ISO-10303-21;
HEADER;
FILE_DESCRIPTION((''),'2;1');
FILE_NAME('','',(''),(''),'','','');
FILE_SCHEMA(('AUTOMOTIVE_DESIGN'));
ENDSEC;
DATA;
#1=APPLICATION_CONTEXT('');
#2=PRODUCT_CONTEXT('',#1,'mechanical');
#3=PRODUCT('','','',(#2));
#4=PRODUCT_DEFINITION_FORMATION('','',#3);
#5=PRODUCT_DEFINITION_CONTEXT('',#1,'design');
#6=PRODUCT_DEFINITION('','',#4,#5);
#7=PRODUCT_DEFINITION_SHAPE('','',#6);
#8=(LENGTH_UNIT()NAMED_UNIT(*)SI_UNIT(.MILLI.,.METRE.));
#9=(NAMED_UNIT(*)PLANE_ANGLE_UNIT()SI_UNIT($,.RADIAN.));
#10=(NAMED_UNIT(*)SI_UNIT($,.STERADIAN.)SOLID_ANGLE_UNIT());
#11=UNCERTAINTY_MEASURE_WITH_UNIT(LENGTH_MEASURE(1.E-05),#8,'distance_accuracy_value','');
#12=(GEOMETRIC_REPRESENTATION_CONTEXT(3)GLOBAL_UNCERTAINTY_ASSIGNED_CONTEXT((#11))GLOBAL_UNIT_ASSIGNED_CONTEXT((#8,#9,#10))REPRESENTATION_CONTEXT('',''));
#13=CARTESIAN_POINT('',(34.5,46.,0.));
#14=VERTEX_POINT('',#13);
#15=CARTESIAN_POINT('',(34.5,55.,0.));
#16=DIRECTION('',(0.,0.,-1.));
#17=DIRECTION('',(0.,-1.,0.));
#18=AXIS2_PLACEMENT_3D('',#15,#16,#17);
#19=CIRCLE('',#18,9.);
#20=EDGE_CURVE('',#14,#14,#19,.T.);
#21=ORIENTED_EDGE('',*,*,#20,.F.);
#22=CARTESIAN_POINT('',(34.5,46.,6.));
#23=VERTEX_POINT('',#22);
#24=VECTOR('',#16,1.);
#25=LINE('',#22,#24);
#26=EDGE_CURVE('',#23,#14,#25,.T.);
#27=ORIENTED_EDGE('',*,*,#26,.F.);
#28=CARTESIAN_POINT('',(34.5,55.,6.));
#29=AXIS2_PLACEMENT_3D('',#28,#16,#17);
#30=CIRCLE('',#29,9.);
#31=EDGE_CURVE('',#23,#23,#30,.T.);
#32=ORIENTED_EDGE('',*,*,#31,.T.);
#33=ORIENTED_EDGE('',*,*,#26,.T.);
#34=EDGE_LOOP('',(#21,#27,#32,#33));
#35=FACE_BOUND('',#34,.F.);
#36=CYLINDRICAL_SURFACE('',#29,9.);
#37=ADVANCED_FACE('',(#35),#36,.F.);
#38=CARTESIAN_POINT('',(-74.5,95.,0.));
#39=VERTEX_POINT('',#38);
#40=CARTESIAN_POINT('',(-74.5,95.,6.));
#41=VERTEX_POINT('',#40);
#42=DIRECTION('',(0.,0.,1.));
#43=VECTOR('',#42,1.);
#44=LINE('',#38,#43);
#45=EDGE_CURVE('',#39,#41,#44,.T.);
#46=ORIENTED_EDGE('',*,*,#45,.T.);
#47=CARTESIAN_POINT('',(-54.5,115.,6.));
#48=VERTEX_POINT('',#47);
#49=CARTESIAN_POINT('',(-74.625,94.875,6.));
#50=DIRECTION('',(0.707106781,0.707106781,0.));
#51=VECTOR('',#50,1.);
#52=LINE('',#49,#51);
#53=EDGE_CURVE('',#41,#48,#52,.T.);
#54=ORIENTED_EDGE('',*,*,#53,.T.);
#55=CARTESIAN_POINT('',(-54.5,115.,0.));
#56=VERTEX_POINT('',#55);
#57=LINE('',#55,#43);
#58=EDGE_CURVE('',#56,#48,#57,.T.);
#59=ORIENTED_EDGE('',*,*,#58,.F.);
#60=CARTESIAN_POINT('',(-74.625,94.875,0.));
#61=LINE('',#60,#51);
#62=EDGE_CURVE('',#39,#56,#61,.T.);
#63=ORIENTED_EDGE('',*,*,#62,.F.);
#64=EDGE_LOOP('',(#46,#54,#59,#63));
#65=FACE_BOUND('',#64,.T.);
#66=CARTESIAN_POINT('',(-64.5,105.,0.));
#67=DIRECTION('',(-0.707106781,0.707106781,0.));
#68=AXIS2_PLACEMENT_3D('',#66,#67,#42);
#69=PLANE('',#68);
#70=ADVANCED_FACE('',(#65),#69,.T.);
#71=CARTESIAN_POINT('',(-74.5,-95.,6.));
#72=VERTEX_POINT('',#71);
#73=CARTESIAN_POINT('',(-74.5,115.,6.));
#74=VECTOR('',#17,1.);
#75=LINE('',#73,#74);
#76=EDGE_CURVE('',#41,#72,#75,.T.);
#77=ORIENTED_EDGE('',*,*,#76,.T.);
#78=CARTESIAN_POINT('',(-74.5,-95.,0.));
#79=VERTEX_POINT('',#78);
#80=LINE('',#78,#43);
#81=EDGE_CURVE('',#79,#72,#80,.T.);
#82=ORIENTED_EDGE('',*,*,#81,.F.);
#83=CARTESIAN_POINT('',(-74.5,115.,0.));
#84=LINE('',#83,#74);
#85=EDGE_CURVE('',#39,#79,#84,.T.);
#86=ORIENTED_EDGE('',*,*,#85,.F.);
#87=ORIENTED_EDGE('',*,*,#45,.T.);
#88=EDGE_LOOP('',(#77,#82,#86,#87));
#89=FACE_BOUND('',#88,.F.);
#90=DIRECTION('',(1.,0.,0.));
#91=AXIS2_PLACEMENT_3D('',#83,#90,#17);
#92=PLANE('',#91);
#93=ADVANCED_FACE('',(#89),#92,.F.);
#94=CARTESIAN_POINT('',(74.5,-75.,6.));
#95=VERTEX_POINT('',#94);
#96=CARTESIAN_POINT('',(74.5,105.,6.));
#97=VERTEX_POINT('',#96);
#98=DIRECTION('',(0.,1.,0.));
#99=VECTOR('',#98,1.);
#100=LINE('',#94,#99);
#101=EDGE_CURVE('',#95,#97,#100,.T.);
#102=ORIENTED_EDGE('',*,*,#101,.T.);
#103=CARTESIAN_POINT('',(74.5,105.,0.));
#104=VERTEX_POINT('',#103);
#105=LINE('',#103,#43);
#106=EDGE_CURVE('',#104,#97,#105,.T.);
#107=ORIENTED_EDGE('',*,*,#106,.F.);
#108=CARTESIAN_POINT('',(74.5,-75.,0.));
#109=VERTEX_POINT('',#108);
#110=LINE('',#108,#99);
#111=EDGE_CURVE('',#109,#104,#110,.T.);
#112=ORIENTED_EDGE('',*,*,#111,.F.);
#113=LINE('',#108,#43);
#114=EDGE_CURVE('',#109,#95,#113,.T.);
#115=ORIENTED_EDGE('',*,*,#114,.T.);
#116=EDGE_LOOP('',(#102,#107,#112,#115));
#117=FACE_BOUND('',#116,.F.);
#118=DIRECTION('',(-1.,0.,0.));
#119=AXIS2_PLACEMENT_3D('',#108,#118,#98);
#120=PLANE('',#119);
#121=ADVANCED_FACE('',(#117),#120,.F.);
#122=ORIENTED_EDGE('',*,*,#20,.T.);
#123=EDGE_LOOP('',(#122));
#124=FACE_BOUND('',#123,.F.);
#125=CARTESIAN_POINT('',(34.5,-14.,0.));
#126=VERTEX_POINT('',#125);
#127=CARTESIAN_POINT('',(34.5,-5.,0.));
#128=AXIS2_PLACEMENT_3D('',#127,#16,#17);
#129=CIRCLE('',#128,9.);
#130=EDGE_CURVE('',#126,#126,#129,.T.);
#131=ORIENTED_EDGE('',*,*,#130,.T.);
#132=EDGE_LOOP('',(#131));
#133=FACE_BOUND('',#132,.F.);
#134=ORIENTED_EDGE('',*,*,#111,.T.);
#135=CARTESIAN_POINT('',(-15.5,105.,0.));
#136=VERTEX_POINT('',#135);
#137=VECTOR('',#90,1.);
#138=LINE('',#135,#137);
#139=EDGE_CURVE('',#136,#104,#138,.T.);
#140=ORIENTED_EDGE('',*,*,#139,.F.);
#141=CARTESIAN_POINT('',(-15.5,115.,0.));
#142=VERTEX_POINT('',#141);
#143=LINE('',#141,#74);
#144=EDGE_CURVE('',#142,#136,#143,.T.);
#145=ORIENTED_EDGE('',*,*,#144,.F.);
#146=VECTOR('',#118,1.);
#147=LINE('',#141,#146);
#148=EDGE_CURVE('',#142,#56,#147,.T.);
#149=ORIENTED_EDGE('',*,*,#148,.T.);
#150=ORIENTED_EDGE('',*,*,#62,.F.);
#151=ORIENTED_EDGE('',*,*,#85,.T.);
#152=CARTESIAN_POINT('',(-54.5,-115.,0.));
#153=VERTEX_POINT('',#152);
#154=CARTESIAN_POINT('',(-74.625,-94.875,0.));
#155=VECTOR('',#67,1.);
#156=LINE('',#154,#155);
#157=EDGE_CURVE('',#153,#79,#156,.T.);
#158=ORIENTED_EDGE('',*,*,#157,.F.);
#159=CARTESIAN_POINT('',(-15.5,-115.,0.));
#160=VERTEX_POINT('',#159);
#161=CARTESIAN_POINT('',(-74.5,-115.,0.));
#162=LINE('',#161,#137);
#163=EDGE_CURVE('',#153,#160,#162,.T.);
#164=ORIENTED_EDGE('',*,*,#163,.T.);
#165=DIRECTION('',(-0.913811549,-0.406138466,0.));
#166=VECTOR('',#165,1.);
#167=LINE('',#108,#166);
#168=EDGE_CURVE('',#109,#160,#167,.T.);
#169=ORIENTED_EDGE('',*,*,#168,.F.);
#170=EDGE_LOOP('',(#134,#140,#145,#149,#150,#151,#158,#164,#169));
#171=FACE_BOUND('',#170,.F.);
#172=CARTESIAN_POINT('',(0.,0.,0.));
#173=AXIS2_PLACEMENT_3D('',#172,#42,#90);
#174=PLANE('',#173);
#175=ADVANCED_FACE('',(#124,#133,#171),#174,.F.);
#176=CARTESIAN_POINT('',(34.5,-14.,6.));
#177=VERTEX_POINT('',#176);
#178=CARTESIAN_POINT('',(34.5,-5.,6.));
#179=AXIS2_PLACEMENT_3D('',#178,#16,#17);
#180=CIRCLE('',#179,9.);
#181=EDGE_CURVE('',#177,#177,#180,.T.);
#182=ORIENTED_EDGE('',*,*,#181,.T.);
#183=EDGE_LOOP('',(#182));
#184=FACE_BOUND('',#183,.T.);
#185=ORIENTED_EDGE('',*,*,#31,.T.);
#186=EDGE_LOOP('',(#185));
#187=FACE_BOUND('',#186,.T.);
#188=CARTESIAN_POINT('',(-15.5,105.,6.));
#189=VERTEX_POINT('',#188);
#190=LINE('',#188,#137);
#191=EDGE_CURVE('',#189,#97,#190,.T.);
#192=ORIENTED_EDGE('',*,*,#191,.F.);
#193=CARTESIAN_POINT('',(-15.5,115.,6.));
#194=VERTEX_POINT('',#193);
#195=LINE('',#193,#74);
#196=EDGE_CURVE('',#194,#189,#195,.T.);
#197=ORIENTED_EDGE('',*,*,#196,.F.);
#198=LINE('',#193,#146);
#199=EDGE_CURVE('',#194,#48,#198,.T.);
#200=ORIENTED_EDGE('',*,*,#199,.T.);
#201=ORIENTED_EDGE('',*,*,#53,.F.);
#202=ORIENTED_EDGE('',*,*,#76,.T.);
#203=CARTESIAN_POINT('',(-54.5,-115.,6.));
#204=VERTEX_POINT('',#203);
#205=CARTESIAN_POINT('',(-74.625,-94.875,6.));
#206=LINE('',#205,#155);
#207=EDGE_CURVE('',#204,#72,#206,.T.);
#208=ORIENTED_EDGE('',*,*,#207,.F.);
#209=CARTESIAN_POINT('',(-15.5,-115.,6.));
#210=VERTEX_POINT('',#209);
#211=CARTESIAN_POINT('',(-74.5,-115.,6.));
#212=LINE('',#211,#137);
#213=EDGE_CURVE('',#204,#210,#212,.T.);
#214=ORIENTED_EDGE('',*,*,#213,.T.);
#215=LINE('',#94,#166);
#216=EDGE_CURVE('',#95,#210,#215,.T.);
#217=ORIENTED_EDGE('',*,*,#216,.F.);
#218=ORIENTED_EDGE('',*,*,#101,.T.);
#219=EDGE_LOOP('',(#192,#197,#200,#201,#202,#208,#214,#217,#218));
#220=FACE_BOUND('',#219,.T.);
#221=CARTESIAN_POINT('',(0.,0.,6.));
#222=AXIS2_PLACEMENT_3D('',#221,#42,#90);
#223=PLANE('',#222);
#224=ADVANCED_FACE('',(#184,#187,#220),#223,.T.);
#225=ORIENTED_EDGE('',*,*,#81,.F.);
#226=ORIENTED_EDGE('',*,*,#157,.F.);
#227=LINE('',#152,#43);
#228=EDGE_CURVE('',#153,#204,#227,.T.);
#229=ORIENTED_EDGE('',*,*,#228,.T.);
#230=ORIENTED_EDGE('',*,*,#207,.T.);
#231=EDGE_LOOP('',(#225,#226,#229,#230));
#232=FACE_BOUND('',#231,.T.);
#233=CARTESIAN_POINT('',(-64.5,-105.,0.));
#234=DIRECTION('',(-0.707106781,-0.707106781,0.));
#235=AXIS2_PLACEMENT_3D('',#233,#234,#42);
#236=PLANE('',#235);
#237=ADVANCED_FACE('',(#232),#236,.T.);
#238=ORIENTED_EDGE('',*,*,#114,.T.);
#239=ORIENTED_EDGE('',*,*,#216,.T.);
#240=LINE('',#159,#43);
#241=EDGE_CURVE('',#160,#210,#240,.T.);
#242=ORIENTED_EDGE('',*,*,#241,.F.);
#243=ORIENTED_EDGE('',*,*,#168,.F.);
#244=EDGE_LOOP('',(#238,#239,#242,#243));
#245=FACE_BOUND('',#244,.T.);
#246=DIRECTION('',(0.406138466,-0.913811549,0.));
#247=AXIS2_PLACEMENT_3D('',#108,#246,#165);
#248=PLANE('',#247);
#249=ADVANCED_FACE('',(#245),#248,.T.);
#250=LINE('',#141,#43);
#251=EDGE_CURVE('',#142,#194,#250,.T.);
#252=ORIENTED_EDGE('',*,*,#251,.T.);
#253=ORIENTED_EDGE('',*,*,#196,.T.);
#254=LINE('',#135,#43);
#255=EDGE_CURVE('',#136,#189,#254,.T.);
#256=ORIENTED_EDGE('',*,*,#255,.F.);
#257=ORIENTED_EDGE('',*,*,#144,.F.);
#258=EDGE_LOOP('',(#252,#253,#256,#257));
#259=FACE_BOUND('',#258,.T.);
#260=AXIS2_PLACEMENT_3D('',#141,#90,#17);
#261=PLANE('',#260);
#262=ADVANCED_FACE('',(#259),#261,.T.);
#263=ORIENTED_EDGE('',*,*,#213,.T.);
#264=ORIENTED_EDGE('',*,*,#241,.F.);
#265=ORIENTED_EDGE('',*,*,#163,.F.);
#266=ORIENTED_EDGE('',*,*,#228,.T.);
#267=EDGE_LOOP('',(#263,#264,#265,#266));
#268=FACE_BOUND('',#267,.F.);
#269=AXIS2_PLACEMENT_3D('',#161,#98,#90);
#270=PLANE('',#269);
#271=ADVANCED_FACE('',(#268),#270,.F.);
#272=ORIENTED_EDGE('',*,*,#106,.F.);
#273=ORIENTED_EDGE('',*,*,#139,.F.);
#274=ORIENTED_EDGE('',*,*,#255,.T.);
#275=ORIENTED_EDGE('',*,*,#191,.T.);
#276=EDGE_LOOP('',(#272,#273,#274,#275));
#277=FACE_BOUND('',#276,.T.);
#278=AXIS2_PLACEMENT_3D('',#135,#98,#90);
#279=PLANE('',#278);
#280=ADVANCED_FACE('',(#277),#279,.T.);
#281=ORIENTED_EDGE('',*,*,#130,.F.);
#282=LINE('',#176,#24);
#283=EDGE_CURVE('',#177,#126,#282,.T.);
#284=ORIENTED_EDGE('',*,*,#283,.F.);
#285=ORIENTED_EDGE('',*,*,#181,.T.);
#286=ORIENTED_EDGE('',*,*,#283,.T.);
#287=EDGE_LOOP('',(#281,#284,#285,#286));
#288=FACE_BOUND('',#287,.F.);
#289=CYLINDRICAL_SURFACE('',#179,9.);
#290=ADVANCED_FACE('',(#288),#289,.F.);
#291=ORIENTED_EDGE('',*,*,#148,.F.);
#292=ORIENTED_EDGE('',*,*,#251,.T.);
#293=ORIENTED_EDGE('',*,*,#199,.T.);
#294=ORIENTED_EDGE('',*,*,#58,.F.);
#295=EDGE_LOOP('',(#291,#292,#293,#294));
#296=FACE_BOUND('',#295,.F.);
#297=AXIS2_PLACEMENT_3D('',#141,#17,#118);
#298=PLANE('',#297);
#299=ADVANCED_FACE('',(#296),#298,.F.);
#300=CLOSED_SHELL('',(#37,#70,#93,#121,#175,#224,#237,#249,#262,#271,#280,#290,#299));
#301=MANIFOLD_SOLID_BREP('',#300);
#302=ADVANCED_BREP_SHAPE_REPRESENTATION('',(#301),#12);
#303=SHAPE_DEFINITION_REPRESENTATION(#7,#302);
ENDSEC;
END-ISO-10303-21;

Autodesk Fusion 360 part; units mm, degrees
sketch "スケッチ1" plane through (0, 0, 0) normal (0, 0, 1) x (1, 0, 0)
  line L0 (-15.5, 115) -> (-74.5, 115)
  line L1 (-74.5, 115) -> (-74.5, -115)
  line L2 (-74.5, -115) -> (-15.5, -115)
  line L3 (74.5, -75) -> (74.5, 105)
  line L4 (68.0217, 105) -> (-74.5, -115) construction
  line L5 (-74.5, 115) -> (54.38, -83.9422) construction
  line L6 (-15.5, 115) -> (-15.5, 105)
  line L7 (-15.5, 105) -> (74.5, 105)
  line L8 (-74.5, -115) -> (-15.5, -115) construction
  line L9 (74.5, -75) -> (-15.5, -115)
  dimension "d2" = 230
  dimension "d5" = 59
extrude "押し出し1" add sketch "スケッチ1" along normal blind 6
chamfer "面取り1" distance 20 angle 45 2 edges at (-74.5, -115, 3) (-74.5, 115, 3)
sketch "スケッチ2" plane through (0, 0, 6) normal (0, 0, 1) x (-1, 0, 0)
  line L0 (54.5, -115) -> (74.5, -95)
  line L1 (74.5, -95) -> (74.5, 95)
  line L2 (74.5, 95) -> (54.5, 115)
  line L3 (54.5, 115) -> (15.5, 115)
  line L4 (15.5, 115) -> (-74.5, 75)
  line L5 (-74.5, 75) -> (-74.5, -105)
  line L6 (-74.5, -105) -> (15.5, -105)
  line L7 (15.5, -105) -> (15.5, -115)
  line L8 (15.5, -115) -> (54.5, -115)
  line L9 (-74.5, -105) -> (-34.5, -105) construction
  line L10 (-34.5, -105) -> (-34.5, -55) construction
  line L11 (-34.5, -55) -> (-74.5, -55) construction
  line L12 (-74.5, -55) -> (-74.5, -105) construction
  line L13 (-34.5, -55) -> (-34.5, 5) construction
  point P0 (-34.5, -55)
  point P1 (-34.5, 5)
  dimension "d10" = 40
  dimension "d11" = 50
  dimension "d12" = 60
hole "穴1" at (34.5, 55, 6) at (34.5, -5, 6) direction (0, 0, -1) diameter 18 end through all
equation "d5 = 20 mm + 39 mm"
